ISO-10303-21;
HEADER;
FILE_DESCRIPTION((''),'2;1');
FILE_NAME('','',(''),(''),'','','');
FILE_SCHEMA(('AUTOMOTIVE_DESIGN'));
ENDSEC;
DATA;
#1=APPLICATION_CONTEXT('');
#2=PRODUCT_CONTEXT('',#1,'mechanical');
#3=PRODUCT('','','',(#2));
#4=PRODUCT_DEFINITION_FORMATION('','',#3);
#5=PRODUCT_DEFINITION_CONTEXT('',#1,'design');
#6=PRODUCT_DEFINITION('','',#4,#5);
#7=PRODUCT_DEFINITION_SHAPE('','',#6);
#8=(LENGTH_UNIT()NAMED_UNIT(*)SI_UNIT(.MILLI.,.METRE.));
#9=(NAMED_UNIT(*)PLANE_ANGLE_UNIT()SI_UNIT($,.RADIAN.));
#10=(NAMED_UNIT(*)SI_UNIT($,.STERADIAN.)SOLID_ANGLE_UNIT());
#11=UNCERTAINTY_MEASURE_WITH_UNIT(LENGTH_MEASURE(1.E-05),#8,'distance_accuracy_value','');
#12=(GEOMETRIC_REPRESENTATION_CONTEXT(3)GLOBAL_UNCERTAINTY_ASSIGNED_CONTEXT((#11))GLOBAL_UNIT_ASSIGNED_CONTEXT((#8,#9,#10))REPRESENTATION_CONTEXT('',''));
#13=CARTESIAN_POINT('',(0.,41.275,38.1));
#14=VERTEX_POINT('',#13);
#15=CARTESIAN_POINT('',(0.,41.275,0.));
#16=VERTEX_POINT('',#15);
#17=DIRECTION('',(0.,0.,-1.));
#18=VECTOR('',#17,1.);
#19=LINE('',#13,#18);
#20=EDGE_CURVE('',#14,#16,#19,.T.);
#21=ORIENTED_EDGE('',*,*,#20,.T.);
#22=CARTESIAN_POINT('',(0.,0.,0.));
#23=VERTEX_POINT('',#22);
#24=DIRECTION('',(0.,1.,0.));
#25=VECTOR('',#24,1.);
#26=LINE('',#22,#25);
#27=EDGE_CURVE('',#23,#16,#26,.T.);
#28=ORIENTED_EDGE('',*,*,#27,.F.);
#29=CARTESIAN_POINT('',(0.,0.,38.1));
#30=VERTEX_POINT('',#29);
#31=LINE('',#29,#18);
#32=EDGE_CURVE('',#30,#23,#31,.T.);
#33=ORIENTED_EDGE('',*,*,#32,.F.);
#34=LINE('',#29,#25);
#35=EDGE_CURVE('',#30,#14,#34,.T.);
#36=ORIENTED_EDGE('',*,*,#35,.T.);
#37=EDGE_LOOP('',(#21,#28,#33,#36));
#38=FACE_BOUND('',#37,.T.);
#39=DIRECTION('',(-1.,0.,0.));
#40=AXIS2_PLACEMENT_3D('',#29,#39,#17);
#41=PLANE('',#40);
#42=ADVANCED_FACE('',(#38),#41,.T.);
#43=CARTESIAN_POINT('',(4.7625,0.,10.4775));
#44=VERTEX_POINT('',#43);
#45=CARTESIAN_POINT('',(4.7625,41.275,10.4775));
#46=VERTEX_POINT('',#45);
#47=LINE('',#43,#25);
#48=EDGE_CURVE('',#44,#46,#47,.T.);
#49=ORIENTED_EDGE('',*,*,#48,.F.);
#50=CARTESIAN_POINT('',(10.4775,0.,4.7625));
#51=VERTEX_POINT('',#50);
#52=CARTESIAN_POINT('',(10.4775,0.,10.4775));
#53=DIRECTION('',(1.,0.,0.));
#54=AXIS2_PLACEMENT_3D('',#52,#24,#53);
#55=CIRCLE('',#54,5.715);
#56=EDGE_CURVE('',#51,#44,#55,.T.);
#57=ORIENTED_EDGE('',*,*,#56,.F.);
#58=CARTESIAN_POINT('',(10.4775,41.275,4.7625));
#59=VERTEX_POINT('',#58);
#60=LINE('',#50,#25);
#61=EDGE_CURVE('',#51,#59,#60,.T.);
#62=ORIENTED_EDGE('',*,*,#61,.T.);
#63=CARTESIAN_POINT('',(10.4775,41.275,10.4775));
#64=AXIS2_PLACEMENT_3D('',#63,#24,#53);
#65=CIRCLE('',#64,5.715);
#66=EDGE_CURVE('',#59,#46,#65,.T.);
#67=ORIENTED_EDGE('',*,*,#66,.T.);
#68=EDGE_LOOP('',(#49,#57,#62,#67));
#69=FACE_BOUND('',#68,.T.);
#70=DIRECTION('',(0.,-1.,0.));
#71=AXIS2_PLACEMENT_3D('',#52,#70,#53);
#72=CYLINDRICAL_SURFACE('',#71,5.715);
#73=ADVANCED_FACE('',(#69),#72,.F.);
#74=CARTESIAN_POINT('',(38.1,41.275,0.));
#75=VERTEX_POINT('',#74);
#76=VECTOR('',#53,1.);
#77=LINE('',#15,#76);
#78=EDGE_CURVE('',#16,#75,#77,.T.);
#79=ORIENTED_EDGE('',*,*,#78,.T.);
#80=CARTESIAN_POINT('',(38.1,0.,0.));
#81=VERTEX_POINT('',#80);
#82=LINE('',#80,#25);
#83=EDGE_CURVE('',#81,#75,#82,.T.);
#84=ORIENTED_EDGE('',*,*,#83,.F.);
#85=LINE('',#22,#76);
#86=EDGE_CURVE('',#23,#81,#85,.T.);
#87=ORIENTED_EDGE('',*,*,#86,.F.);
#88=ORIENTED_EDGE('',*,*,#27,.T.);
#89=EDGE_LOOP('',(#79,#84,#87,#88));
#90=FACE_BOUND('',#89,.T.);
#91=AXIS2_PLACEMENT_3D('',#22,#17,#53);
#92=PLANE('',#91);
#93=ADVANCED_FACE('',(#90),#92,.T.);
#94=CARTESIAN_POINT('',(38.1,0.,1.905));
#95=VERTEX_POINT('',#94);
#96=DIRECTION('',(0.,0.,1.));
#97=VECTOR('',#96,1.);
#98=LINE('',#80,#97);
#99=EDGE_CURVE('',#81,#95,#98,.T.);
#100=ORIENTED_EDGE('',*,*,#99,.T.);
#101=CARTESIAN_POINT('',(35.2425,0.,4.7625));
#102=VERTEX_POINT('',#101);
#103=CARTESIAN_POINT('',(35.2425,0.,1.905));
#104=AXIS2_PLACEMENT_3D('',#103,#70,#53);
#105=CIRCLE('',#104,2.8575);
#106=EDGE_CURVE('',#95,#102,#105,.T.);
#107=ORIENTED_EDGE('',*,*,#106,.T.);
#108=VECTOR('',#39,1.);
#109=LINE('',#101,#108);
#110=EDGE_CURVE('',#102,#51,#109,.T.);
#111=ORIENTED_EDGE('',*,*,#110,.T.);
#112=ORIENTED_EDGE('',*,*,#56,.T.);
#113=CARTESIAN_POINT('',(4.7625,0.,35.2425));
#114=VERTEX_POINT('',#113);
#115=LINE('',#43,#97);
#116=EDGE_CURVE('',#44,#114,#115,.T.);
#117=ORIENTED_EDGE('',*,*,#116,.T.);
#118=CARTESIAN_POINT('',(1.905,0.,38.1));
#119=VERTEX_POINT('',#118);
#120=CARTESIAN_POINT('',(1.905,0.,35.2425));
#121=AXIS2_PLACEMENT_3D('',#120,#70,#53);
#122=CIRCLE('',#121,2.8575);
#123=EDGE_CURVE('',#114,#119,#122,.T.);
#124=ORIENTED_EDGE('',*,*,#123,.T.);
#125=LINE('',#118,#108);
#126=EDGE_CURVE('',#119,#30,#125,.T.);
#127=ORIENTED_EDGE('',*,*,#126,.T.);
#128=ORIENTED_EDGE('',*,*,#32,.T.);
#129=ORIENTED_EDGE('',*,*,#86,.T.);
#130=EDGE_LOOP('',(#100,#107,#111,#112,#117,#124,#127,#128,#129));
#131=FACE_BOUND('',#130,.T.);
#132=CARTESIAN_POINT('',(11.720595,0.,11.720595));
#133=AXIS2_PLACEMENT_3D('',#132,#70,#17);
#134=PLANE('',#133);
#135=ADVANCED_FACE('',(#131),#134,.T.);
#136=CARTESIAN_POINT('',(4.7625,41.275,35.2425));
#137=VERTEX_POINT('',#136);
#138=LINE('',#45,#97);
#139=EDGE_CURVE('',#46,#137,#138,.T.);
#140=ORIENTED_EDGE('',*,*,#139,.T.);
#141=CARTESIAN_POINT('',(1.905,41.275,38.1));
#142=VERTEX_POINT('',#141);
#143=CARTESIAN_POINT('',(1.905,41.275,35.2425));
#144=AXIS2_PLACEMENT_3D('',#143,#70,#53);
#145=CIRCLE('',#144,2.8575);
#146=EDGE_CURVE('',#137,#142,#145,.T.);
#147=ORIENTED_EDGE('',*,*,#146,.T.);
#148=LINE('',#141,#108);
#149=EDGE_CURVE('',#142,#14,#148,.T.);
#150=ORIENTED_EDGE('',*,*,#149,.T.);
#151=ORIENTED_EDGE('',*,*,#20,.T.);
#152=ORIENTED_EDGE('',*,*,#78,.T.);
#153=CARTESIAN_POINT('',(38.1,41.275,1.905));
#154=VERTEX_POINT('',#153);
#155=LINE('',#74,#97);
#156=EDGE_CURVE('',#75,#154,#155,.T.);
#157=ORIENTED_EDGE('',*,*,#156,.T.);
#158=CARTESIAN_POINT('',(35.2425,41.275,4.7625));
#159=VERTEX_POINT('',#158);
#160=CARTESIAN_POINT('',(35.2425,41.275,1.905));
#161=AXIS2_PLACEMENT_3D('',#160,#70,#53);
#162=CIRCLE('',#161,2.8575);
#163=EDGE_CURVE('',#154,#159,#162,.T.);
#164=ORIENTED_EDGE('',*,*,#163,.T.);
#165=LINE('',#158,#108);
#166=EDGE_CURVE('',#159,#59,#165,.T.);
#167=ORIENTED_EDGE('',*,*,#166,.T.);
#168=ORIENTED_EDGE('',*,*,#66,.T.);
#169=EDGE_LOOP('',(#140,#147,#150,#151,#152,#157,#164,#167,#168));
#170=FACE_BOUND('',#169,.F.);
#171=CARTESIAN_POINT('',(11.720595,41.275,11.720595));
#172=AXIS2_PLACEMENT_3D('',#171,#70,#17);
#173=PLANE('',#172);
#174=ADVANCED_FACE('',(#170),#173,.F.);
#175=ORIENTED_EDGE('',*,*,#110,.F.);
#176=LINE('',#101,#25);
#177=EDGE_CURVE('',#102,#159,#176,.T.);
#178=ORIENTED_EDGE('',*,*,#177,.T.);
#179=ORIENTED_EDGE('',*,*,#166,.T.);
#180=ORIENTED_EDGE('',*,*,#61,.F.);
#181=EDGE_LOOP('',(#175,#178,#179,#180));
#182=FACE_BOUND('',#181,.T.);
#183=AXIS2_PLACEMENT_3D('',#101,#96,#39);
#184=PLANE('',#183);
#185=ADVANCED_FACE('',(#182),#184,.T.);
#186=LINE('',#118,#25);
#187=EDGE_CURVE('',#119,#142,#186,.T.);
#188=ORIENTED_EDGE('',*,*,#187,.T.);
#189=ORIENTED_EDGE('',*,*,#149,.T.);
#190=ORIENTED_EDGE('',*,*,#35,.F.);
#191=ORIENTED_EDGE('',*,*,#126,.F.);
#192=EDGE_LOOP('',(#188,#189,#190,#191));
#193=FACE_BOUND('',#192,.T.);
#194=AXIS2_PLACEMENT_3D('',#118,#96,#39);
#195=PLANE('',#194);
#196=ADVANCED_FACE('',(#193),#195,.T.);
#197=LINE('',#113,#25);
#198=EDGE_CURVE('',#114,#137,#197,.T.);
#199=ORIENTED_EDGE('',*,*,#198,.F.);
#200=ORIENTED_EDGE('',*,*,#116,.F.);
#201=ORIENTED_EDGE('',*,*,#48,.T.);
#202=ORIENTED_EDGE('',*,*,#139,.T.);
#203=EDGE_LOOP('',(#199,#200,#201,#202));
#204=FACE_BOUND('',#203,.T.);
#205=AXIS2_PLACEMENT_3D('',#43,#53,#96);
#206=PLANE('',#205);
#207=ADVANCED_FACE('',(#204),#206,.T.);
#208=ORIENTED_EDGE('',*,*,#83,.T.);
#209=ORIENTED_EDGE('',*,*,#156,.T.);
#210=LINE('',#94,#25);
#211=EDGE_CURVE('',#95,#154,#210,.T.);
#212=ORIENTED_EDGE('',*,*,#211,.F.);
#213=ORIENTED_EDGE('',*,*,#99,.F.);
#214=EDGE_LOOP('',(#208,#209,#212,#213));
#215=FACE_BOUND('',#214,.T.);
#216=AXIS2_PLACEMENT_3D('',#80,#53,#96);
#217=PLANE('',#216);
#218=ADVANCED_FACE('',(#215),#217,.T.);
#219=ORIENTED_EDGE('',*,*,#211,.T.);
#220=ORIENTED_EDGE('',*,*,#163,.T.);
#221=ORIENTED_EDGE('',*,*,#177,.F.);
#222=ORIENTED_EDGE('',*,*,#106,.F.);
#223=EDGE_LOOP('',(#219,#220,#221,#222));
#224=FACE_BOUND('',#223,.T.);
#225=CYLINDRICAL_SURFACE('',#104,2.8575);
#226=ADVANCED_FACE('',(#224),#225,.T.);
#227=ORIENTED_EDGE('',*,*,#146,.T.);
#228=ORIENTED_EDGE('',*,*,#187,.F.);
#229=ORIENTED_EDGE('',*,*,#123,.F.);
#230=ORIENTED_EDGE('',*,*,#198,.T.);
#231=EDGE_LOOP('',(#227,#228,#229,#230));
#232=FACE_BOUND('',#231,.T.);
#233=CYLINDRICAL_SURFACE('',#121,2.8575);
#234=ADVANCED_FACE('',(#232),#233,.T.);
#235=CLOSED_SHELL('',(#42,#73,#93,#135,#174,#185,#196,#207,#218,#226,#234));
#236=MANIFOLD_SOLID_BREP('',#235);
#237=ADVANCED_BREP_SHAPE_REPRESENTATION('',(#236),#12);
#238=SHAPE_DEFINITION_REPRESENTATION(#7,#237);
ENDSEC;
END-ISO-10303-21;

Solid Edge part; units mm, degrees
sketch "Sketch1" plane through (0, 0, 0) normal (0, -1, 0) x (1, 0, 0)
  line L0 (0, 38.1) -> (0, 0)
  line L1 (0, 0) -> (38.1, 0)
  line L2 (38.1, 0) -> (38.1, 1.905)
  arc A0 (38.1, 1.905) -> (35.2425, 4.7625) centre (35.2425, 1.905) ccw
  line L3 (35.2425, 4.7625) -> (10.4775, 4.7625)
  arc A1 (10.4775, 4.7625) -> (4.7625, 10.4775) centre (10.4775, 10.4775) cw
  line L4 (4.7625, 10.4775) -> (4.7625, 35.2425)
  arc A2 (4.7625, 35.2425) -> (1.905, 38.1) centre (1.905, 35.2425) ccw
  line L5 (1.905, 38.1) -> (0, 38.1)
  dimension "D1" = 38.1
  dimension "D2" = 38.1
extrude "Protrusion1" add sketch "Sketch1" against normal blind 41.275
